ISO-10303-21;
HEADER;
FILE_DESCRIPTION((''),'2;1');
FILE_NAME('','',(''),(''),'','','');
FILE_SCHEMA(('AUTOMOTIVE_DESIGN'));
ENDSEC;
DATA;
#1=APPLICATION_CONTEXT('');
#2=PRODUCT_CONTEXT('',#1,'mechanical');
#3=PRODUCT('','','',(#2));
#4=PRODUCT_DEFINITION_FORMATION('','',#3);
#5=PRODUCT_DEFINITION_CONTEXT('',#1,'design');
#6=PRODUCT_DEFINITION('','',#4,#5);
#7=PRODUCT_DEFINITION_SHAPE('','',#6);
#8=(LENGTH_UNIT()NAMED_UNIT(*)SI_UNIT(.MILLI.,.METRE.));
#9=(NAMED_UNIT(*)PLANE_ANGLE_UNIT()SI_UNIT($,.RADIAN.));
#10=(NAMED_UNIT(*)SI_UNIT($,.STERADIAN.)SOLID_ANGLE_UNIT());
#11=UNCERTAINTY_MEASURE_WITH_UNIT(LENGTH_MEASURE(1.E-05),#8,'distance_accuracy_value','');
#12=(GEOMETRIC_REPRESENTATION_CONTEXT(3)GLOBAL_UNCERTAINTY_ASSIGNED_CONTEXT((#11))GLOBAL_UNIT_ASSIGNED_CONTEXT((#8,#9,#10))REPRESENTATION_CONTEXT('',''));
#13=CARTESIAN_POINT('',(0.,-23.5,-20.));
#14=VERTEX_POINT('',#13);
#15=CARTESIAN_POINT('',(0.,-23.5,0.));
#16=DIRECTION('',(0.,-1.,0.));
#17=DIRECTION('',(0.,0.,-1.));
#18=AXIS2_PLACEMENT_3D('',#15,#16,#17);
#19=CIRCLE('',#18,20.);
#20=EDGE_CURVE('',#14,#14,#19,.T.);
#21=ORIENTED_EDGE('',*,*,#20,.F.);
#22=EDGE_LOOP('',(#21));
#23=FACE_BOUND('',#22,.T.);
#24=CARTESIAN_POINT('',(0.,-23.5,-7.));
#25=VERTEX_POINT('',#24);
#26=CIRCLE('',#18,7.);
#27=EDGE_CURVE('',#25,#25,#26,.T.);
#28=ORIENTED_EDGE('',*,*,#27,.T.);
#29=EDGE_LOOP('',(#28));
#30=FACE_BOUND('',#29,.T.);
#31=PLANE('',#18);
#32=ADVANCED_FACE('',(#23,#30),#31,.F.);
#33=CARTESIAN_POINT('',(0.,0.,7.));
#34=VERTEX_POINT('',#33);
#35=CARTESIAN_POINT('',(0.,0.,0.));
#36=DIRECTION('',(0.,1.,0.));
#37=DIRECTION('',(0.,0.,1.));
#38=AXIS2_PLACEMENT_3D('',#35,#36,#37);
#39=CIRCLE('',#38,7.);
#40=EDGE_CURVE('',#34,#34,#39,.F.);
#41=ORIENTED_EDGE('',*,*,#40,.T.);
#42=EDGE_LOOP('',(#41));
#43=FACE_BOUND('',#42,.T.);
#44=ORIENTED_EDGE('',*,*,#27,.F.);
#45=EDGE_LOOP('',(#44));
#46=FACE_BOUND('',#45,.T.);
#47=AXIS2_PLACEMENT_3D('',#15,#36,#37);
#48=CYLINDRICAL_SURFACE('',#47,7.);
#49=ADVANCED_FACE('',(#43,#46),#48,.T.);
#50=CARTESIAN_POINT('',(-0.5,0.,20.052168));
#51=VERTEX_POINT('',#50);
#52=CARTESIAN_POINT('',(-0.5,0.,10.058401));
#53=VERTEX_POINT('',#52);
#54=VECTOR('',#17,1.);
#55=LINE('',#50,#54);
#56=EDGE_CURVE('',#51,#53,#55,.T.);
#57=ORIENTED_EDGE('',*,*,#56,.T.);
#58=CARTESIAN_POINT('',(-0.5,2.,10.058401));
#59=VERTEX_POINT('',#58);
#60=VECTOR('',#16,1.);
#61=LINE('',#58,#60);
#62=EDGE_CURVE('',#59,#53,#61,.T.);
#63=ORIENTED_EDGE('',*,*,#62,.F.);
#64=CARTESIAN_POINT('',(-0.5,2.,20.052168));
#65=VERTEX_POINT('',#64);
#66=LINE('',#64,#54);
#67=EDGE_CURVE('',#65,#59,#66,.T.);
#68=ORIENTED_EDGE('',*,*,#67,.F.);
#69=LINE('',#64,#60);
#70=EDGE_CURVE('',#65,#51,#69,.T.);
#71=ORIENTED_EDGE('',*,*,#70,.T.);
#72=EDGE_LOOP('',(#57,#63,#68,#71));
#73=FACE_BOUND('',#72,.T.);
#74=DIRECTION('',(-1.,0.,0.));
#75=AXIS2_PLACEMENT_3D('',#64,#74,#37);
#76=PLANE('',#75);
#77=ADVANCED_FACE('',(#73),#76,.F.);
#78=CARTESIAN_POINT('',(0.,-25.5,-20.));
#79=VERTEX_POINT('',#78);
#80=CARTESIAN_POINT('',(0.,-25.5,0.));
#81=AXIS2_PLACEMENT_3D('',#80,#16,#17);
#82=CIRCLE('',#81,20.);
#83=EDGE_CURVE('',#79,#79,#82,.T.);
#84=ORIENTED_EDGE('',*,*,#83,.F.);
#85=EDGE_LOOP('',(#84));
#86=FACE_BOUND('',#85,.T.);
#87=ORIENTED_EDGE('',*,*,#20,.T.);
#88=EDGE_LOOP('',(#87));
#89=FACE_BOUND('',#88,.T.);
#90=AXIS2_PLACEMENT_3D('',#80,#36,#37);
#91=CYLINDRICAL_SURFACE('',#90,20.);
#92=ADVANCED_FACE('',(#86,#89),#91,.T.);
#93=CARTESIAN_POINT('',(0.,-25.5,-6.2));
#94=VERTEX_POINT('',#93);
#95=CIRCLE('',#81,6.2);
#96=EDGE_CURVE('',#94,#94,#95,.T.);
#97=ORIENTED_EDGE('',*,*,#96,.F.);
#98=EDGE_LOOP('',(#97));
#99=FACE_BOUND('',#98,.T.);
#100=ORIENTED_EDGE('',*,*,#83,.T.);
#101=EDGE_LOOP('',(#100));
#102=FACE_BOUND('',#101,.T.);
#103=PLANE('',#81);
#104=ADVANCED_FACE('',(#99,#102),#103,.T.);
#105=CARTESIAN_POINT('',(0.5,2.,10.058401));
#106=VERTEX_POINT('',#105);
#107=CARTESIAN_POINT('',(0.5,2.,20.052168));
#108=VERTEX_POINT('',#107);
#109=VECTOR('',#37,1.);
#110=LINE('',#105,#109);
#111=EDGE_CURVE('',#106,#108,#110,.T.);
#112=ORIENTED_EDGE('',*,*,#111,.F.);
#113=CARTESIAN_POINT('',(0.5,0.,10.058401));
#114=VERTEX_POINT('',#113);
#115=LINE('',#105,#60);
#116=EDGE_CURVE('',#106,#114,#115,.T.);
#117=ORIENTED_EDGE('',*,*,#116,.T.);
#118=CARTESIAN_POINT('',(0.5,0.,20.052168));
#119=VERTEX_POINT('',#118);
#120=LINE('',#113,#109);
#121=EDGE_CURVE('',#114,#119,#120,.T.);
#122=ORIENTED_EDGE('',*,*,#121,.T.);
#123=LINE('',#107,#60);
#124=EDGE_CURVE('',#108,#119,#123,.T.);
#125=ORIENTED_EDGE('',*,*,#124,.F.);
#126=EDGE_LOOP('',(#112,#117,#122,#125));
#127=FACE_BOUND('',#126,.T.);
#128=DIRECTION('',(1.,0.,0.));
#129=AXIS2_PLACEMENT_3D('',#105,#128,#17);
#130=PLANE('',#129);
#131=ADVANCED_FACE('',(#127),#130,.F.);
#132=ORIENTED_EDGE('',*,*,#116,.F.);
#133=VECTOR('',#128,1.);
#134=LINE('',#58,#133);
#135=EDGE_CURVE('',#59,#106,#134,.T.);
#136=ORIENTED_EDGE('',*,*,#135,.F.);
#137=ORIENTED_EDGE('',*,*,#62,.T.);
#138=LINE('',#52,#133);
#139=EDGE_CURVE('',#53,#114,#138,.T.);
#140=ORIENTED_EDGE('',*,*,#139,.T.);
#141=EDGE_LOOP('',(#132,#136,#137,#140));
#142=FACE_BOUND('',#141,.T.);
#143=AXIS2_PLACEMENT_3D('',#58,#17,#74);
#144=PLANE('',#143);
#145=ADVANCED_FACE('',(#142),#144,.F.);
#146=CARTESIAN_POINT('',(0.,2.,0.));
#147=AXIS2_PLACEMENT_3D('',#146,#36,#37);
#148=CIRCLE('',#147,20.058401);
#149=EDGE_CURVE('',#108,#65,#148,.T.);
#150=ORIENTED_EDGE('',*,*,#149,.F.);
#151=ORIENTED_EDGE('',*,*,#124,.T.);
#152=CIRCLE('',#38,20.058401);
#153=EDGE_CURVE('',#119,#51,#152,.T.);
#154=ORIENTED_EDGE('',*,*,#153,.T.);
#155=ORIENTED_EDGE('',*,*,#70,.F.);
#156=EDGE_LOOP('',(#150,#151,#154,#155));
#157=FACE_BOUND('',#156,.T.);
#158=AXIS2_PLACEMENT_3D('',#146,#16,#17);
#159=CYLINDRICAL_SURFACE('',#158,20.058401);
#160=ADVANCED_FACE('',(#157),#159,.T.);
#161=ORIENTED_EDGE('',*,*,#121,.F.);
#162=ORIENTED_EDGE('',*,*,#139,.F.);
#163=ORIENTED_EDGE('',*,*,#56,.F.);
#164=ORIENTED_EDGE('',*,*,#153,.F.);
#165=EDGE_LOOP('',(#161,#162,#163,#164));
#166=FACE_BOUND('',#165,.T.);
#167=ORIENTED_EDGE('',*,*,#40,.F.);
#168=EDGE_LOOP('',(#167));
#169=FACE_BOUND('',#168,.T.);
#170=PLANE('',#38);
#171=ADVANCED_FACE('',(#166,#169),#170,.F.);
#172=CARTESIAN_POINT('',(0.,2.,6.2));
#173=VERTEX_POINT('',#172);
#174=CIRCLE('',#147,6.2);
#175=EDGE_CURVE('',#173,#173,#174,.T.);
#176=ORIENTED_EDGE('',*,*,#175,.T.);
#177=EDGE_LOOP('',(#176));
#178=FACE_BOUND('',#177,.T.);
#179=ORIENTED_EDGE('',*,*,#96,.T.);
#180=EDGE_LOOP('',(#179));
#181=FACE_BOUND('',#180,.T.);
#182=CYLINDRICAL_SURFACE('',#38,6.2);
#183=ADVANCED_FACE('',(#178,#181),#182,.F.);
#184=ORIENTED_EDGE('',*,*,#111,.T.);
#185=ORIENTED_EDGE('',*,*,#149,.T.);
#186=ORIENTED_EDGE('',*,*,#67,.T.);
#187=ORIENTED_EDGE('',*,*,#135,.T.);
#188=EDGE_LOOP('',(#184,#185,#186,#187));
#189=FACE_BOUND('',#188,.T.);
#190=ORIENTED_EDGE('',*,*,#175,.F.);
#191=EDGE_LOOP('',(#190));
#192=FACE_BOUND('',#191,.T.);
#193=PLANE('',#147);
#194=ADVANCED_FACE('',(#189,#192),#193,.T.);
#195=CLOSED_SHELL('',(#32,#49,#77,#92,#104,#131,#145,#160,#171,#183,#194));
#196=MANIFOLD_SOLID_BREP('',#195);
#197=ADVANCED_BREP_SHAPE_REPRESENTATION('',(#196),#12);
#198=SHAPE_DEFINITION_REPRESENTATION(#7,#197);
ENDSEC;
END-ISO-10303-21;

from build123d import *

# Parameters (mm, degrees)
EXTRUDE_3_DEPTH     = 2
SKETCH_5_R          = 6.2
CUT_EXTRUDE_2_DEPTH = 2
SKETCH_6_R          = 7
EXTRUDE_6_DEPTH     = 23.5
SKETCH_7_R          = 6.2
CUT_EXTRUDE_3_DEPTH = 23.5
SKETCH_8_R          = 20
EXTRUDE_7_DEPTH     = 2
SKETCH_9_R          = 6.2
CUT_EXTRUDE_4_DEPTH = 2


with BuildPart() as part:
    # 草图3 → 凸台-拉伸3 (new body)
    with BuildSketch(Plane(origin=(0, 0, 0), x_dir=(1, 0, 0), z_dir=(0, 1, 0))):
        with BuildLine():
            Line((-0.5, -20.052167872), (-0.5, -10.058400643))
            Line((-0.5, -10.058400643), (0.5, -10.058400643))
            Line((0.5, -10.058400643), (0.5, -20.052167872))
            ThreePointArc((0.5, -20.052167872), (0, 20.058400643), (-0.5, -20.052167872))
        make_face()
    extrude(amount=EXTRUDE_3_DEPTH)

    # 草图5 → 切除-拉伸2 (cut)
    with BuildSketch(Plane(origin=(0, 2, 0), x_dir=(1, 0, 0), z_dir=(0, 1, 0))):
        Circle(SKETCH_5_R)
    extrude(amount=-CUT_EXTRUDE_2_DEPTH, mode=Mode.SUBTRACT)

    # 草图6 → 凸台-拉伸6 (add)
    with BuildSketch(Plane(origin=(0, 0, 0), x_dir=(-1, 0, 0), z_dir=(0, -1, 0))):
        Circle(SKETCH_6_R)
    extrude(amount=EXTRUDE_6_DEPTH)

    # 草图7 → 切除-拉伸3 (cut)
    with BuildSketch(Plane(origin=(0, 0, 0), x_dir=(1, 0, 0), z_dir=(0, 1, 0))):
        Circle(SKETCH_7_R)
    extrude(amount=-CUT_EXTRUDE_3_DEPTH, mode=Mode.SUBTRACT)

    # 草图8 → 凸台-拉伸7 (add)
    with BuildSketch(Plane.XZ.offset(23.5)):
        Circle(SKETCH_8_R)
    extrude(amount=EXTRUDE_7_DEPTH)

    # 草图9 → 切除-拉伸4 (cut)
    with BuildSketch(Plane.XZ.offset(25.5)):
        Circle(SKETCH_9_R)
    extrude(amount=-CUT_EXTRUDE_4_DEPTH, mode=Mode.SUBTRACT)


solid = part.part
